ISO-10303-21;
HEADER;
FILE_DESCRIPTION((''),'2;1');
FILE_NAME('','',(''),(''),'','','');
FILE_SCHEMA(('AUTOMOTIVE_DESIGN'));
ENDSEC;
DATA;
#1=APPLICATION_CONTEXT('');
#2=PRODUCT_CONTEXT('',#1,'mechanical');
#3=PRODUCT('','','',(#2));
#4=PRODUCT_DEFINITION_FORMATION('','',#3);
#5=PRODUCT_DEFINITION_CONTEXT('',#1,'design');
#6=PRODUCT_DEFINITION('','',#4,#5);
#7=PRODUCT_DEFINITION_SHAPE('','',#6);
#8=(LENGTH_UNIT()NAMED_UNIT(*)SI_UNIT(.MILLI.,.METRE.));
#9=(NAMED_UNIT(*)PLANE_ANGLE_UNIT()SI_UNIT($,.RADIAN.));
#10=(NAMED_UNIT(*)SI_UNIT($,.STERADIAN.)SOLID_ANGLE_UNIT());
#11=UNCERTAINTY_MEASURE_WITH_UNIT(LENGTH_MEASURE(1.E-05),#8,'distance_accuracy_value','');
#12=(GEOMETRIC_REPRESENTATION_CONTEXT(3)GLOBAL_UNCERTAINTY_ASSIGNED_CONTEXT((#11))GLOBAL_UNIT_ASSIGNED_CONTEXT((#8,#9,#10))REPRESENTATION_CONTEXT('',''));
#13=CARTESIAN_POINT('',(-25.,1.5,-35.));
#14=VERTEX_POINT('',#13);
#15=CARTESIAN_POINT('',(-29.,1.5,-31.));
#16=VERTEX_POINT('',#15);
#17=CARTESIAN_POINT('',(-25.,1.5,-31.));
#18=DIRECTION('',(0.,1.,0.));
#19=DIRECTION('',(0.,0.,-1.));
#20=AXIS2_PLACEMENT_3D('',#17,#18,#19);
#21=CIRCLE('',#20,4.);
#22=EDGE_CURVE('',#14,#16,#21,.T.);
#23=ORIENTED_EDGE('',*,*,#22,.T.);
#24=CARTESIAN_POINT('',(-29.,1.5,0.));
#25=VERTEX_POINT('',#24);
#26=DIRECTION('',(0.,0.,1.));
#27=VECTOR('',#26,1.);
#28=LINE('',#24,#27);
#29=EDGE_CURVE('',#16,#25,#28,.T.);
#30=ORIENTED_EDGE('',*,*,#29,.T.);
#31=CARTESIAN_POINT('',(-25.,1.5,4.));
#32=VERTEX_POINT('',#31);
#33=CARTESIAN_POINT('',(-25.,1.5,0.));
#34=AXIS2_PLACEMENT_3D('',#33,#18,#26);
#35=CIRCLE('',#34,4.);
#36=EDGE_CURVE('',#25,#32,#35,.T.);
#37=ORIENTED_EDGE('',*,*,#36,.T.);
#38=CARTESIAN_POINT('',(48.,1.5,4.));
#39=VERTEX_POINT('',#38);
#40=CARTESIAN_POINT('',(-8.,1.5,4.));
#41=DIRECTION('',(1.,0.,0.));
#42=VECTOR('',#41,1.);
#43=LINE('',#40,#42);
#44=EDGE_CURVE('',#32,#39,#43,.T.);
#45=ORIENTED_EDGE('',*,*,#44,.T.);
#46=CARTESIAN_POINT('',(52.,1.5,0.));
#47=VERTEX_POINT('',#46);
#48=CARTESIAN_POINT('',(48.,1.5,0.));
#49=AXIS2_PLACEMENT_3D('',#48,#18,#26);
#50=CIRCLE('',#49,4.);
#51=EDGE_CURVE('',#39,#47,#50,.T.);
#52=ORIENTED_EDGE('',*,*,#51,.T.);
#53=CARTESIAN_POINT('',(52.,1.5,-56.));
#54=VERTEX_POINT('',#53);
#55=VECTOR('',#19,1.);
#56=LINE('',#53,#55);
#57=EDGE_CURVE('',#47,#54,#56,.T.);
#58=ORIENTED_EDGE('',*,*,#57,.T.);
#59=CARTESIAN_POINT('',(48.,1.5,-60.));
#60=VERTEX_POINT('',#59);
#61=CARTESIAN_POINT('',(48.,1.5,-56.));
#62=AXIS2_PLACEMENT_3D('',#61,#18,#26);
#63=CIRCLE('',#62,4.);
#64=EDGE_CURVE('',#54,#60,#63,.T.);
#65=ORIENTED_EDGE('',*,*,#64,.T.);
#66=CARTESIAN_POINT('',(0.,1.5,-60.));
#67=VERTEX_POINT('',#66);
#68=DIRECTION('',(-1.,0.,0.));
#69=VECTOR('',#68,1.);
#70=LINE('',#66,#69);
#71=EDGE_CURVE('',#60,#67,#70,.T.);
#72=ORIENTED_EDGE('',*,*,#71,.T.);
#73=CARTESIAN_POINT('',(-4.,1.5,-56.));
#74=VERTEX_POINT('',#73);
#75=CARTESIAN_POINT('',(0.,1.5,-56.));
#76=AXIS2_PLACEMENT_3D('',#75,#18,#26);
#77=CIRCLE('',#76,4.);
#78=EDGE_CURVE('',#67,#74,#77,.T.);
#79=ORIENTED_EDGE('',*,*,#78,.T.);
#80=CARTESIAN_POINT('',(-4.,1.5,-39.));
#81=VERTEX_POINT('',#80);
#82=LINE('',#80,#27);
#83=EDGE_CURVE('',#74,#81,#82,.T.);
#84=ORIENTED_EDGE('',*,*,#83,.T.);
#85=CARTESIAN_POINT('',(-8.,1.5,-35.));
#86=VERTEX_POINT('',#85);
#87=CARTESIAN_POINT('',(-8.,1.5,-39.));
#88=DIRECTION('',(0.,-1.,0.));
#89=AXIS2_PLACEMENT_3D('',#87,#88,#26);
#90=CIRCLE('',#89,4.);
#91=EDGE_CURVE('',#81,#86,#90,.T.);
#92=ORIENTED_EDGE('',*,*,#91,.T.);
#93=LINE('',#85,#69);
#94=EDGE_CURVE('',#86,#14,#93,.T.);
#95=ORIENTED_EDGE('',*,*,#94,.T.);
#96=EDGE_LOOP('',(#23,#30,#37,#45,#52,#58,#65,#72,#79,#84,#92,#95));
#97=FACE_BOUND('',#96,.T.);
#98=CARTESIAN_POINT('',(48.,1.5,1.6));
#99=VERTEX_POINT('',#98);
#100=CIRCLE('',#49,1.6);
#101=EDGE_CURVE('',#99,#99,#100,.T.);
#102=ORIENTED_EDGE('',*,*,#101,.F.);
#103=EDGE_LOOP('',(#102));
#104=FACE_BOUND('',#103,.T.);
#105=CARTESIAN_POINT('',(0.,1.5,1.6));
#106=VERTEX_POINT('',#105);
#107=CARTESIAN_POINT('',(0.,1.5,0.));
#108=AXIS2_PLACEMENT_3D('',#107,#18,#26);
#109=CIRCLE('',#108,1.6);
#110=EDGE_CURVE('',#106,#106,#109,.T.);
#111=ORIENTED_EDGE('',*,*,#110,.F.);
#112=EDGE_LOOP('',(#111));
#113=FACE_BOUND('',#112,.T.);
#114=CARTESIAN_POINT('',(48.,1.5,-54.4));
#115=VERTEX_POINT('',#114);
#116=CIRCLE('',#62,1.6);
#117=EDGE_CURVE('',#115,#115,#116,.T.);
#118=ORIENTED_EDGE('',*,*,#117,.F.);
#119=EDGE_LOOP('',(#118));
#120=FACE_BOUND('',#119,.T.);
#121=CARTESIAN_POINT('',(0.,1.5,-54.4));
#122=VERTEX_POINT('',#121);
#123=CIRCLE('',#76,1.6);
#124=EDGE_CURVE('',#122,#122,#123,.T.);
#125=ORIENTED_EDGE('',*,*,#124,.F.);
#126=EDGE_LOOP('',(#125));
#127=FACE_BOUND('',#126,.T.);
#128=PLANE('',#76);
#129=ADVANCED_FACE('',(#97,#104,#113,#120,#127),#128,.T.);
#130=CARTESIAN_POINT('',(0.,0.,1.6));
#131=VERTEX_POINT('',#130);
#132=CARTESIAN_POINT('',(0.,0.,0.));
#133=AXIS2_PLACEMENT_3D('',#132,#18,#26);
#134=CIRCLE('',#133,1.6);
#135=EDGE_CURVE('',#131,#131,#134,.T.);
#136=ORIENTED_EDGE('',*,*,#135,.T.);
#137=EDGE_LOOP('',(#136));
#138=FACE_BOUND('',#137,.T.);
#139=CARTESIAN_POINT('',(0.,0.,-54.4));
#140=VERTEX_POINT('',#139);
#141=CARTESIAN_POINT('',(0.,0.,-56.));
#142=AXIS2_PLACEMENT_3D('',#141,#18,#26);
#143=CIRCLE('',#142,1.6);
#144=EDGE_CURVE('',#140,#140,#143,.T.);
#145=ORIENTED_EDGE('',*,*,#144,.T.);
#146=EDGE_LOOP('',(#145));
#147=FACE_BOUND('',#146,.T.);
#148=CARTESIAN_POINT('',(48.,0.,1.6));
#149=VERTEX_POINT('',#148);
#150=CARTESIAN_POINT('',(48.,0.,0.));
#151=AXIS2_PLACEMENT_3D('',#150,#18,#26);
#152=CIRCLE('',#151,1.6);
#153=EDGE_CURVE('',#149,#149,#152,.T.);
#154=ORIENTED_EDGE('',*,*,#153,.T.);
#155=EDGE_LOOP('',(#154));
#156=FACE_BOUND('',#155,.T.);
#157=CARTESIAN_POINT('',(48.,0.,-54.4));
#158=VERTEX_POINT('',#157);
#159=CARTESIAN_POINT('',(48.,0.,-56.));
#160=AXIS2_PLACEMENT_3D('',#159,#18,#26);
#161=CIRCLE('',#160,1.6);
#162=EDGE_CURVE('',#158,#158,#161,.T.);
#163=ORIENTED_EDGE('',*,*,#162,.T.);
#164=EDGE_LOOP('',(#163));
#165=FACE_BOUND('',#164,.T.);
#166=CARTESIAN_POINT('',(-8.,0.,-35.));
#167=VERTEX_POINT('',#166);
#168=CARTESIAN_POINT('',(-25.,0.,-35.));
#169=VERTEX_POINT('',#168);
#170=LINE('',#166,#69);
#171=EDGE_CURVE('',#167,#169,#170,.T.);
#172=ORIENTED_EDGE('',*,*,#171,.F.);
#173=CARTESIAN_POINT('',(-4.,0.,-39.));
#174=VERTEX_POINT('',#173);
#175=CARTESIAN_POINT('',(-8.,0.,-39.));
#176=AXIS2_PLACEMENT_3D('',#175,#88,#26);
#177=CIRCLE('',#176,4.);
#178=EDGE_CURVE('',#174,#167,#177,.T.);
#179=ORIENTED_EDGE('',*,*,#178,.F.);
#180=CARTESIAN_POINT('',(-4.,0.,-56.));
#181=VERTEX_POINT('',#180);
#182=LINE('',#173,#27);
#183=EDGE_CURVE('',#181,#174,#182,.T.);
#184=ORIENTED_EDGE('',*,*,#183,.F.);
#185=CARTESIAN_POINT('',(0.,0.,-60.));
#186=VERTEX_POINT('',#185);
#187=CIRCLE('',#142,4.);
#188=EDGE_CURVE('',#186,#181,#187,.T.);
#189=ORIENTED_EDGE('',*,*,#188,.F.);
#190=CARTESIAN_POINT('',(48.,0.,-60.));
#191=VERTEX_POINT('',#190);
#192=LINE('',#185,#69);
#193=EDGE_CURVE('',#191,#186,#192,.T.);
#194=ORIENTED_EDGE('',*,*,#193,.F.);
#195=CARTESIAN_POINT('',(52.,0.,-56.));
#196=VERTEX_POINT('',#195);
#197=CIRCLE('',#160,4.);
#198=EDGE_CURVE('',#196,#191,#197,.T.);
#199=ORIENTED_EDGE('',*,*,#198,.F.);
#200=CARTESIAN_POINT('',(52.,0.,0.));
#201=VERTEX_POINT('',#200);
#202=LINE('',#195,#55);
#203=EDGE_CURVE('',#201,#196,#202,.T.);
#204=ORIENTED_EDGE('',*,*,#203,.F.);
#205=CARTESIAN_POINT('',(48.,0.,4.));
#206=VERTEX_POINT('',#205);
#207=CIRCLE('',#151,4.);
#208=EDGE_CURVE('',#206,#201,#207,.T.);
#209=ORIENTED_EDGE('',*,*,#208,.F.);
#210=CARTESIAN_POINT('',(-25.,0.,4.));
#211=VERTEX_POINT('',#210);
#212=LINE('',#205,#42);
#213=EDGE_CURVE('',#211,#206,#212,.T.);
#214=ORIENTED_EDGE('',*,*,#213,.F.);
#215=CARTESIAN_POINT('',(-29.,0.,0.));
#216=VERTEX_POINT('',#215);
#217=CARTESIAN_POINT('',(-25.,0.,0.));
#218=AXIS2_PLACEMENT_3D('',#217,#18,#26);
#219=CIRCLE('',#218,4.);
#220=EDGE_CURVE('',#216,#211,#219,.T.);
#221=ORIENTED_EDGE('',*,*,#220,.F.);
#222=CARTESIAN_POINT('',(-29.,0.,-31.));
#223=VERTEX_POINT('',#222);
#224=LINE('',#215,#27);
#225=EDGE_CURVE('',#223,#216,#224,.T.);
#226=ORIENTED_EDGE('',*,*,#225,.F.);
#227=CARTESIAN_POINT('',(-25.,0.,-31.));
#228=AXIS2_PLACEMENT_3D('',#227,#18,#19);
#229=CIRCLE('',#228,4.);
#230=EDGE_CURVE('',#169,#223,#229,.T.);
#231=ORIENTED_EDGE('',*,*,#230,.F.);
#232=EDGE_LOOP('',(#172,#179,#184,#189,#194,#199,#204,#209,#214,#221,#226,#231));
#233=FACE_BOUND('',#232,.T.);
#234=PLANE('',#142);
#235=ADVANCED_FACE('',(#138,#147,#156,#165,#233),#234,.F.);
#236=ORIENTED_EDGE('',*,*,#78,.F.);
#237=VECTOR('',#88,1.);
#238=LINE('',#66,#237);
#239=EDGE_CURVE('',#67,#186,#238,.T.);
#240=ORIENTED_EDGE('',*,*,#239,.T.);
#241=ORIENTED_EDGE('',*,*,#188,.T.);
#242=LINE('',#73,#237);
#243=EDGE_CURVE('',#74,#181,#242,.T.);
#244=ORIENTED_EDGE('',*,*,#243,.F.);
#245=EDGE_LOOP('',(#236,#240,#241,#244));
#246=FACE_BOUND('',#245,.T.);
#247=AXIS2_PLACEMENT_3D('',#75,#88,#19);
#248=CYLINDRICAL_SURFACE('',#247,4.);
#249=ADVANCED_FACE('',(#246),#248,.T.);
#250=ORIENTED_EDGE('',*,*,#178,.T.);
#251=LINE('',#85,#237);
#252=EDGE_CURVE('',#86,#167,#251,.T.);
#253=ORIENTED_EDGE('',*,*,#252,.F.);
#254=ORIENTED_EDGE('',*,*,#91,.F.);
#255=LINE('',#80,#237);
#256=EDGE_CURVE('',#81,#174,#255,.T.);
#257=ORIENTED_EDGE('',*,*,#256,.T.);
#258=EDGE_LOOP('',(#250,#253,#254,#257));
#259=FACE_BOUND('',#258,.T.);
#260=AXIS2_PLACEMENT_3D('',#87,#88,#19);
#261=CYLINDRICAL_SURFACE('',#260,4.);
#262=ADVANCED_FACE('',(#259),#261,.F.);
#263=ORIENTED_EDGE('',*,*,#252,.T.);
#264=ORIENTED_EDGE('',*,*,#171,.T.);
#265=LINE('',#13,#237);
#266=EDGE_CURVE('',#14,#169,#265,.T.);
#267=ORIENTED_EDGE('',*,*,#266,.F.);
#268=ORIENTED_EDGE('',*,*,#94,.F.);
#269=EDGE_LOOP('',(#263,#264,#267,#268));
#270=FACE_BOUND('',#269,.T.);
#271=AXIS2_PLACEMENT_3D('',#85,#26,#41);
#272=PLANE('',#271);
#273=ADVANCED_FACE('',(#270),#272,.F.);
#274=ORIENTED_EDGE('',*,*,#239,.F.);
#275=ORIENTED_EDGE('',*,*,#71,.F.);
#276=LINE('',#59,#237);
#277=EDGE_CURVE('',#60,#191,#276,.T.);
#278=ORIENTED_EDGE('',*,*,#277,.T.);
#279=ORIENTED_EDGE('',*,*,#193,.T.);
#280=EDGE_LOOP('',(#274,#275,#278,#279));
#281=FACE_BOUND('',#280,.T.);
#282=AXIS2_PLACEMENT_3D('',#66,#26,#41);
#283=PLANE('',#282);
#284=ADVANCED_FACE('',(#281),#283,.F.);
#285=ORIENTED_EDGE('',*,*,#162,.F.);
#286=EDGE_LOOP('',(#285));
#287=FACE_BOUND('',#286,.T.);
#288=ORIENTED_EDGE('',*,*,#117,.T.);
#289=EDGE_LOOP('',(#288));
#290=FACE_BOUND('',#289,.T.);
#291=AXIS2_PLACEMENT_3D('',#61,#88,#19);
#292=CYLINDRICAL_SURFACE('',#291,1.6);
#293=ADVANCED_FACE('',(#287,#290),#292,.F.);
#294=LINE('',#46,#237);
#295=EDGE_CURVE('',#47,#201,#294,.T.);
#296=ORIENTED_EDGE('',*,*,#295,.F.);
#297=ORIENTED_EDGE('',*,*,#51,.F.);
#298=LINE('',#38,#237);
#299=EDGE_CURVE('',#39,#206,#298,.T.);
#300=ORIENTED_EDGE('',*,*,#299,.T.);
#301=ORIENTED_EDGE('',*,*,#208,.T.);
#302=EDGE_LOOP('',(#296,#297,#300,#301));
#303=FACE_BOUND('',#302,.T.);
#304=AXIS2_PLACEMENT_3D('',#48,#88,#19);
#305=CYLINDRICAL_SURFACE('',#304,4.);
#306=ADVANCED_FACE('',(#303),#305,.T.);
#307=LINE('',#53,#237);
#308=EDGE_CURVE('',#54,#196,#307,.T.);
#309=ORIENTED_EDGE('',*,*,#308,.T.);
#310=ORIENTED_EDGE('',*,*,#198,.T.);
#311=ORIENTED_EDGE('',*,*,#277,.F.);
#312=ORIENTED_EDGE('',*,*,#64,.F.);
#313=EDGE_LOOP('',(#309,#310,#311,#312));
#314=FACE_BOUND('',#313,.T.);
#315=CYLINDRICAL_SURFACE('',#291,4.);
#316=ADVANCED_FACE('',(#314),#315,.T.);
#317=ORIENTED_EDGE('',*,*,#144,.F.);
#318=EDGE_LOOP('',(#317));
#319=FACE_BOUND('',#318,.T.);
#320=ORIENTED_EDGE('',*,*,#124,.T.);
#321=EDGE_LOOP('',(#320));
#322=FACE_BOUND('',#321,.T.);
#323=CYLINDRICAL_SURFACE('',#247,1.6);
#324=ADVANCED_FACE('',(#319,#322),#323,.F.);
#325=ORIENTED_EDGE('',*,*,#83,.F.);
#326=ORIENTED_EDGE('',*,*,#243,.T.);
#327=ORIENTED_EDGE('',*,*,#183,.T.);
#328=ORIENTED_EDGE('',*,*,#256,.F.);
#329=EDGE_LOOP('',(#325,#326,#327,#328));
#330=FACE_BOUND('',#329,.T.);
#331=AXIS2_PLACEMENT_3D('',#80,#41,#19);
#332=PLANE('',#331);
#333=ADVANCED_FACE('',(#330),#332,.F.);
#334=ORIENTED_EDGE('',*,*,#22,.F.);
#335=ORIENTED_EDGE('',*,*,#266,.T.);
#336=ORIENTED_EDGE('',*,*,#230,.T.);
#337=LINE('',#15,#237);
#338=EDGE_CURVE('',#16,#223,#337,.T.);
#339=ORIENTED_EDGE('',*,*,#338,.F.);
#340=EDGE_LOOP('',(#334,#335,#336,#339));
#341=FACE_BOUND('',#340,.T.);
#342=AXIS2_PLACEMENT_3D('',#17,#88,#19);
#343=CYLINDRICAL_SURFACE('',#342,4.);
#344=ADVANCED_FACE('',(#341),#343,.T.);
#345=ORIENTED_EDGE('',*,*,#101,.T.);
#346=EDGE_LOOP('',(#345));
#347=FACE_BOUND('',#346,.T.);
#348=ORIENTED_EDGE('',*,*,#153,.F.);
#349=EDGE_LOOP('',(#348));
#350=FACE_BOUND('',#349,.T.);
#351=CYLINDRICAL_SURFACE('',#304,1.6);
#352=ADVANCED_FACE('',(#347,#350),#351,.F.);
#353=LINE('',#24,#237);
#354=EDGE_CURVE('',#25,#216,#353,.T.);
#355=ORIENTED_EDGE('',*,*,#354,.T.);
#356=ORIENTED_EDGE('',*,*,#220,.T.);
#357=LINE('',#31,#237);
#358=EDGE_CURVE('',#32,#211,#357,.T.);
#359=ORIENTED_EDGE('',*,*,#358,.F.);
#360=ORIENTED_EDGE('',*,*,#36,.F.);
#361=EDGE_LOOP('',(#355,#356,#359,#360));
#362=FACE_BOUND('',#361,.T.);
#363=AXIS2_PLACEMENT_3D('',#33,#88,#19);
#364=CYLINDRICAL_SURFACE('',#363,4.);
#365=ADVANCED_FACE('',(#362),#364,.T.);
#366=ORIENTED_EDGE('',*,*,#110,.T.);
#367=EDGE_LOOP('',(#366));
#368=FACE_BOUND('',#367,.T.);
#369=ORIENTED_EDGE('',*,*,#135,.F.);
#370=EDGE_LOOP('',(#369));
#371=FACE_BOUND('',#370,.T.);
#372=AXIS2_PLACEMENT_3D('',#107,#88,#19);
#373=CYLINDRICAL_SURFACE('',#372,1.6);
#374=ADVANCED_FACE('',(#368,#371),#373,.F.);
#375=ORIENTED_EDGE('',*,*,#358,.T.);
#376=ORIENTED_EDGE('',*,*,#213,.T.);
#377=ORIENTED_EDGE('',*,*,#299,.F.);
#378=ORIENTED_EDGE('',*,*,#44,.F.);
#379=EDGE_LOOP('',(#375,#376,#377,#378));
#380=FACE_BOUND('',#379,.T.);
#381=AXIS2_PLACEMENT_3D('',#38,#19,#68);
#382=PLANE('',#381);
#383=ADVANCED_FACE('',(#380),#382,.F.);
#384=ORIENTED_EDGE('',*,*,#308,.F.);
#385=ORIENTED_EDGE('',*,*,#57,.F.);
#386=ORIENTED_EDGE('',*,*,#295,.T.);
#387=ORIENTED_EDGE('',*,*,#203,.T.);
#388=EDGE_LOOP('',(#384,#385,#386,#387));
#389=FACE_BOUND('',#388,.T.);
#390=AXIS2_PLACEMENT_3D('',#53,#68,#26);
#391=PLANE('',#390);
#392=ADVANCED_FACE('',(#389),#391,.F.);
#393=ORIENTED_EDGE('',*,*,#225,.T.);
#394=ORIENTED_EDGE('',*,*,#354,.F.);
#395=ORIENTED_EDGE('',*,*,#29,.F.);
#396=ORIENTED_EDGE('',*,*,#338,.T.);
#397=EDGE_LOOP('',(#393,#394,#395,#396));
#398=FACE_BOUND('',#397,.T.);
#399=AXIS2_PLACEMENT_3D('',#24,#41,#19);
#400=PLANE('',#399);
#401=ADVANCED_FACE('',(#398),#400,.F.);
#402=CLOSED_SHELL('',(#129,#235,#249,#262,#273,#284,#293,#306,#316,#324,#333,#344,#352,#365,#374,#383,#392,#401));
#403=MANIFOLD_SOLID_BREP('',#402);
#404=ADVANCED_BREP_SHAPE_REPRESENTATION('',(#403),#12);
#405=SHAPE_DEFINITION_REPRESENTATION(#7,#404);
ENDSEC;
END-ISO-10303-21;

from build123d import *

# Parameters (mm, degrees)
SKETCH1_R           = 1.6
BOSS_EXTRUDE1_DEPTH = 1.5


with BuildPart() as part:
    # Sketch1 → Boss-Extrude1 (new body)
    with BuildSketch(Plane(origin=(0, 0, 0), x_dir=(1, 0, 0), z_dir=(0, 1, 0))):
        with BuildLine():
            Line((-8, 35), (-25, 35))
            ThreePointArc((-25, 35), (-27.828427125, 33.828427125), (-29, 31))
            Line((-29, 31), (-29, 0))
            ThreePointArc((-29, 0), (-27.828427125, -2.828427125), (-25, -4))
            Line((-25, -4), (-8, -4))
            Line((-8, -4), (48, -4))
            ThreePointArc((48, -4), (50.828427125, -2.828427125), (52, 0))
            Line((52, 0), (52, 56))
            ThreePointArc((52, 56), (50.828427125, 58.828427125), (48, 60))
            Line((48, 60), (0, 60))
            ThreePointArc((0, 60), (-2.828427125, 58.828427125), (-4, 56))
            Line((-4, 56), (-4, 39))
            ThreePointArc((-4, 39), (-5.171572875, 36.171572875), (-8, 35))
        make_face()
        with Locations((0, 56)):
            Circle(SKETCH1_R, mode=Mode.SUBTRACT)
        with Locations((48, 56)):
            Circle(SKETCH1_R, mode=Mode.SUBTRACT)
        with Locations((48, 0)):
            Circle(SKETCH1_R, mode=Mode.SUBTRACT)
        Circle(SKETCH1_R, mode=Mode.SUBTRACT)
    extrude(amount=BOSS_EXTRUDE1_DEPTH)


solid = part.part
